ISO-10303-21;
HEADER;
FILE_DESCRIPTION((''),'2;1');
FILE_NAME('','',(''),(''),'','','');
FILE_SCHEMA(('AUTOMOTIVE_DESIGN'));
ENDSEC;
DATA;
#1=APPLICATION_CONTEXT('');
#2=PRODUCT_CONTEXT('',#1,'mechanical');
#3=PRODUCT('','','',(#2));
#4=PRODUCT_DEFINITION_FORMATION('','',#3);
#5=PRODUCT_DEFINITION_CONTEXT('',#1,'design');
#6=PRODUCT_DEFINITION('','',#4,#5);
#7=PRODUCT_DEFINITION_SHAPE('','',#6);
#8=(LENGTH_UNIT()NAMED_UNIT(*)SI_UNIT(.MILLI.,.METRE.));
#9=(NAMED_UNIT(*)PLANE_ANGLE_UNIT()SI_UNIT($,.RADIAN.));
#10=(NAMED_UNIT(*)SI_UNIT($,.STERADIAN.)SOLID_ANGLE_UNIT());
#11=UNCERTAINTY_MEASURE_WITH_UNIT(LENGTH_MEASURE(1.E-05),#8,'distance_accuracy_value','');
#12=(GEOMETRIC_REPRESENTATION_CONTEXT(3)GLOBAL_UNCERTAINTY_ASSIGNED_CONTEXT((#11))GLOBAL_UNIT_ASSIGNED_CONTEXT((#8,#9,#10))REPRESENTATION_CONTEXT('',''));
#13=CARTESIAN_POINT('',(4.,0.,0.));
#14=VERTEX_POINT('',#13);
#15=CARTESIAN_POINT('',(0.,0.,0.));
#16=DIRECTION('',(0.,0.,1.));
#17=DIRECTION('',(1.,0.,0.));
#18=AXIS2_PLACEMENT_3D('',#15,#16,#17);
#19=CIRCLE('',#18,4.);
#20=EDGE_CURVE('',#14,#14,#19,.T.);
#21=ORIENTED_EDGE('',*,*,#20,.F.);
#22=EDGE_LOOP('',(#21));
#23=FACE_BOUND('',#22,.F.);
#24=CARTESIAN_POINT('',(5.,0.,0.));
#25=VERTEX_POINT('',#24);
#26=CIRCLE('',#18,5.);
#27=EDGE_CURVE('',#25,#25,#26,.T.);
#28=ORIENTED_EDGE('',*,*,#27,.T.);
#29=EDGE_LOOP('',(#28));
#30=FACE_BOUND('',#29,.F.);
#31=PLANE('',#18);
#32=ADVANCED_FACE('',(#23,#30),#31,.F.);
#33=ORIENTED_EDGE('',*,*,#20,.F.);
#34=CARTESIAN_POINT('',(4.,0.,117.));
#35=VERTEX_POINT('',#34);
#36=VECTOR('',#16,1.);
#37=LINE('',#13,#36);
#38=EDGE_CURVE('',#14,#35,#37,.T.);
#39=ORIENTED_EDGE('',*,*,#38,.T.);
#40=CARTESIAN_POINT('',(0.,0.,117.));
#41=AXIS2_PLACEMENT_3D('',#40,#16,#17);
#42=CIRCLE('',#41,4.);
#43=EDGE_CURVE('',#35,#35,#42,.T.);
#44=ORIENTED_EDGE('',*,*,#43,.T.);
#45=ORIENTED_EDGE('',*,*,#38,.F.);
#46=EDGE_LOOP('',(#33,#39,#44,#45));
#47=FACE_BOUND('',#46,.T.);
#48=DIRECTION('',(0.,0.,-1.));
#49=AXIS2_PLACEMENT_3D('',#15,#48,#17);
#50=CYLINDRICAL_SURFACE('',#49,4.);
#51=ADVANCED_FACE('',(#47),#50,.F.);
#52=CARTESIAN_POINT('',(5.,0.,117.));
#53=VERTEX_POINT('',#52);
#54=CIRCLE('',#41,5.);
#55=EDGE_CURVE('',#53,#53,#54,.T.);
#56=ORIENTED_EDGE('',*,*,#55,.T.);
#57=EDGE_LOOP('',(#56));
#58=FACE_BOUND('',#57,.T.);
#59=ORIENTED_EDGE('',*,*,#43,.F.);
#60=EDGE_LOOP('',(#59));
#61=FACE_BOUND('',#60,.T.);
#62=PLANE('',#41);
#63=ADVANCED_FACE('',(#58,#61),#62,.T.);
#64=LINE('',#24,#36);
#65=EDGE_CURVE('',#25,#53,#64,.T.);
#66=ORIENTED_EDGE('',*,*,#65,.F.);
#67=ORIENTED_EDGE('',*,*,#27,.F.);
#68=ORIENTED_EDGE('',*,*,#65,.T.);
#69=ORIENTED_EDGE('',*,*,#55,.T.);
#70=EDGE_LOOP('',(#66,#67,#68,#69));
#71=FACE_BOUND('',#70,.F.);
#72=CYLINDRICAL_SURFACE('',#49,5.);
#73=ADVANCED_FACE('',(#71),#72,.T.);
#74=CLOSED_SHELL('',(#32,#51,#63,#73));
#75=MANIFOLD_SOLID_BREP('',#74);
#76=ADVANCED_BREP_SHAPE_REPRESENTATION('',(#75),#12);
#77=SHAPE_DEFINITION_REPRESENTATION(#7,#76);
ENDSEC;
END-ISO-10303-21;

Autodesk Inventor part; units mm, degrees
ref_plane "YZ Plane" through (0, 0, 0) normal (1, 0, 0) x (0, 1, 0)
ref_plane "XZ Plane" through (0, 0, 0) normal (0, 1, 0) x (-1, 0, 0)
ref_plane "XY Plane" through (0, 0, 0) normal (0, 0, 1) x (1, 0, 0)
sketch "Эскиз1" plane through (0, 0, 0) normal (0, 0, 1) x (1, 0, 0)
  circle A0 centre (0, 0) radius 4
  circle A1 centre (0, 0) radius 5
  dimension "d0" = 8
  dimension "d1" = 10
extrude "Выдавливание1" add sketch "Эскиз1" along normal blind 117
properties part number "Вал катушки (левой)"
